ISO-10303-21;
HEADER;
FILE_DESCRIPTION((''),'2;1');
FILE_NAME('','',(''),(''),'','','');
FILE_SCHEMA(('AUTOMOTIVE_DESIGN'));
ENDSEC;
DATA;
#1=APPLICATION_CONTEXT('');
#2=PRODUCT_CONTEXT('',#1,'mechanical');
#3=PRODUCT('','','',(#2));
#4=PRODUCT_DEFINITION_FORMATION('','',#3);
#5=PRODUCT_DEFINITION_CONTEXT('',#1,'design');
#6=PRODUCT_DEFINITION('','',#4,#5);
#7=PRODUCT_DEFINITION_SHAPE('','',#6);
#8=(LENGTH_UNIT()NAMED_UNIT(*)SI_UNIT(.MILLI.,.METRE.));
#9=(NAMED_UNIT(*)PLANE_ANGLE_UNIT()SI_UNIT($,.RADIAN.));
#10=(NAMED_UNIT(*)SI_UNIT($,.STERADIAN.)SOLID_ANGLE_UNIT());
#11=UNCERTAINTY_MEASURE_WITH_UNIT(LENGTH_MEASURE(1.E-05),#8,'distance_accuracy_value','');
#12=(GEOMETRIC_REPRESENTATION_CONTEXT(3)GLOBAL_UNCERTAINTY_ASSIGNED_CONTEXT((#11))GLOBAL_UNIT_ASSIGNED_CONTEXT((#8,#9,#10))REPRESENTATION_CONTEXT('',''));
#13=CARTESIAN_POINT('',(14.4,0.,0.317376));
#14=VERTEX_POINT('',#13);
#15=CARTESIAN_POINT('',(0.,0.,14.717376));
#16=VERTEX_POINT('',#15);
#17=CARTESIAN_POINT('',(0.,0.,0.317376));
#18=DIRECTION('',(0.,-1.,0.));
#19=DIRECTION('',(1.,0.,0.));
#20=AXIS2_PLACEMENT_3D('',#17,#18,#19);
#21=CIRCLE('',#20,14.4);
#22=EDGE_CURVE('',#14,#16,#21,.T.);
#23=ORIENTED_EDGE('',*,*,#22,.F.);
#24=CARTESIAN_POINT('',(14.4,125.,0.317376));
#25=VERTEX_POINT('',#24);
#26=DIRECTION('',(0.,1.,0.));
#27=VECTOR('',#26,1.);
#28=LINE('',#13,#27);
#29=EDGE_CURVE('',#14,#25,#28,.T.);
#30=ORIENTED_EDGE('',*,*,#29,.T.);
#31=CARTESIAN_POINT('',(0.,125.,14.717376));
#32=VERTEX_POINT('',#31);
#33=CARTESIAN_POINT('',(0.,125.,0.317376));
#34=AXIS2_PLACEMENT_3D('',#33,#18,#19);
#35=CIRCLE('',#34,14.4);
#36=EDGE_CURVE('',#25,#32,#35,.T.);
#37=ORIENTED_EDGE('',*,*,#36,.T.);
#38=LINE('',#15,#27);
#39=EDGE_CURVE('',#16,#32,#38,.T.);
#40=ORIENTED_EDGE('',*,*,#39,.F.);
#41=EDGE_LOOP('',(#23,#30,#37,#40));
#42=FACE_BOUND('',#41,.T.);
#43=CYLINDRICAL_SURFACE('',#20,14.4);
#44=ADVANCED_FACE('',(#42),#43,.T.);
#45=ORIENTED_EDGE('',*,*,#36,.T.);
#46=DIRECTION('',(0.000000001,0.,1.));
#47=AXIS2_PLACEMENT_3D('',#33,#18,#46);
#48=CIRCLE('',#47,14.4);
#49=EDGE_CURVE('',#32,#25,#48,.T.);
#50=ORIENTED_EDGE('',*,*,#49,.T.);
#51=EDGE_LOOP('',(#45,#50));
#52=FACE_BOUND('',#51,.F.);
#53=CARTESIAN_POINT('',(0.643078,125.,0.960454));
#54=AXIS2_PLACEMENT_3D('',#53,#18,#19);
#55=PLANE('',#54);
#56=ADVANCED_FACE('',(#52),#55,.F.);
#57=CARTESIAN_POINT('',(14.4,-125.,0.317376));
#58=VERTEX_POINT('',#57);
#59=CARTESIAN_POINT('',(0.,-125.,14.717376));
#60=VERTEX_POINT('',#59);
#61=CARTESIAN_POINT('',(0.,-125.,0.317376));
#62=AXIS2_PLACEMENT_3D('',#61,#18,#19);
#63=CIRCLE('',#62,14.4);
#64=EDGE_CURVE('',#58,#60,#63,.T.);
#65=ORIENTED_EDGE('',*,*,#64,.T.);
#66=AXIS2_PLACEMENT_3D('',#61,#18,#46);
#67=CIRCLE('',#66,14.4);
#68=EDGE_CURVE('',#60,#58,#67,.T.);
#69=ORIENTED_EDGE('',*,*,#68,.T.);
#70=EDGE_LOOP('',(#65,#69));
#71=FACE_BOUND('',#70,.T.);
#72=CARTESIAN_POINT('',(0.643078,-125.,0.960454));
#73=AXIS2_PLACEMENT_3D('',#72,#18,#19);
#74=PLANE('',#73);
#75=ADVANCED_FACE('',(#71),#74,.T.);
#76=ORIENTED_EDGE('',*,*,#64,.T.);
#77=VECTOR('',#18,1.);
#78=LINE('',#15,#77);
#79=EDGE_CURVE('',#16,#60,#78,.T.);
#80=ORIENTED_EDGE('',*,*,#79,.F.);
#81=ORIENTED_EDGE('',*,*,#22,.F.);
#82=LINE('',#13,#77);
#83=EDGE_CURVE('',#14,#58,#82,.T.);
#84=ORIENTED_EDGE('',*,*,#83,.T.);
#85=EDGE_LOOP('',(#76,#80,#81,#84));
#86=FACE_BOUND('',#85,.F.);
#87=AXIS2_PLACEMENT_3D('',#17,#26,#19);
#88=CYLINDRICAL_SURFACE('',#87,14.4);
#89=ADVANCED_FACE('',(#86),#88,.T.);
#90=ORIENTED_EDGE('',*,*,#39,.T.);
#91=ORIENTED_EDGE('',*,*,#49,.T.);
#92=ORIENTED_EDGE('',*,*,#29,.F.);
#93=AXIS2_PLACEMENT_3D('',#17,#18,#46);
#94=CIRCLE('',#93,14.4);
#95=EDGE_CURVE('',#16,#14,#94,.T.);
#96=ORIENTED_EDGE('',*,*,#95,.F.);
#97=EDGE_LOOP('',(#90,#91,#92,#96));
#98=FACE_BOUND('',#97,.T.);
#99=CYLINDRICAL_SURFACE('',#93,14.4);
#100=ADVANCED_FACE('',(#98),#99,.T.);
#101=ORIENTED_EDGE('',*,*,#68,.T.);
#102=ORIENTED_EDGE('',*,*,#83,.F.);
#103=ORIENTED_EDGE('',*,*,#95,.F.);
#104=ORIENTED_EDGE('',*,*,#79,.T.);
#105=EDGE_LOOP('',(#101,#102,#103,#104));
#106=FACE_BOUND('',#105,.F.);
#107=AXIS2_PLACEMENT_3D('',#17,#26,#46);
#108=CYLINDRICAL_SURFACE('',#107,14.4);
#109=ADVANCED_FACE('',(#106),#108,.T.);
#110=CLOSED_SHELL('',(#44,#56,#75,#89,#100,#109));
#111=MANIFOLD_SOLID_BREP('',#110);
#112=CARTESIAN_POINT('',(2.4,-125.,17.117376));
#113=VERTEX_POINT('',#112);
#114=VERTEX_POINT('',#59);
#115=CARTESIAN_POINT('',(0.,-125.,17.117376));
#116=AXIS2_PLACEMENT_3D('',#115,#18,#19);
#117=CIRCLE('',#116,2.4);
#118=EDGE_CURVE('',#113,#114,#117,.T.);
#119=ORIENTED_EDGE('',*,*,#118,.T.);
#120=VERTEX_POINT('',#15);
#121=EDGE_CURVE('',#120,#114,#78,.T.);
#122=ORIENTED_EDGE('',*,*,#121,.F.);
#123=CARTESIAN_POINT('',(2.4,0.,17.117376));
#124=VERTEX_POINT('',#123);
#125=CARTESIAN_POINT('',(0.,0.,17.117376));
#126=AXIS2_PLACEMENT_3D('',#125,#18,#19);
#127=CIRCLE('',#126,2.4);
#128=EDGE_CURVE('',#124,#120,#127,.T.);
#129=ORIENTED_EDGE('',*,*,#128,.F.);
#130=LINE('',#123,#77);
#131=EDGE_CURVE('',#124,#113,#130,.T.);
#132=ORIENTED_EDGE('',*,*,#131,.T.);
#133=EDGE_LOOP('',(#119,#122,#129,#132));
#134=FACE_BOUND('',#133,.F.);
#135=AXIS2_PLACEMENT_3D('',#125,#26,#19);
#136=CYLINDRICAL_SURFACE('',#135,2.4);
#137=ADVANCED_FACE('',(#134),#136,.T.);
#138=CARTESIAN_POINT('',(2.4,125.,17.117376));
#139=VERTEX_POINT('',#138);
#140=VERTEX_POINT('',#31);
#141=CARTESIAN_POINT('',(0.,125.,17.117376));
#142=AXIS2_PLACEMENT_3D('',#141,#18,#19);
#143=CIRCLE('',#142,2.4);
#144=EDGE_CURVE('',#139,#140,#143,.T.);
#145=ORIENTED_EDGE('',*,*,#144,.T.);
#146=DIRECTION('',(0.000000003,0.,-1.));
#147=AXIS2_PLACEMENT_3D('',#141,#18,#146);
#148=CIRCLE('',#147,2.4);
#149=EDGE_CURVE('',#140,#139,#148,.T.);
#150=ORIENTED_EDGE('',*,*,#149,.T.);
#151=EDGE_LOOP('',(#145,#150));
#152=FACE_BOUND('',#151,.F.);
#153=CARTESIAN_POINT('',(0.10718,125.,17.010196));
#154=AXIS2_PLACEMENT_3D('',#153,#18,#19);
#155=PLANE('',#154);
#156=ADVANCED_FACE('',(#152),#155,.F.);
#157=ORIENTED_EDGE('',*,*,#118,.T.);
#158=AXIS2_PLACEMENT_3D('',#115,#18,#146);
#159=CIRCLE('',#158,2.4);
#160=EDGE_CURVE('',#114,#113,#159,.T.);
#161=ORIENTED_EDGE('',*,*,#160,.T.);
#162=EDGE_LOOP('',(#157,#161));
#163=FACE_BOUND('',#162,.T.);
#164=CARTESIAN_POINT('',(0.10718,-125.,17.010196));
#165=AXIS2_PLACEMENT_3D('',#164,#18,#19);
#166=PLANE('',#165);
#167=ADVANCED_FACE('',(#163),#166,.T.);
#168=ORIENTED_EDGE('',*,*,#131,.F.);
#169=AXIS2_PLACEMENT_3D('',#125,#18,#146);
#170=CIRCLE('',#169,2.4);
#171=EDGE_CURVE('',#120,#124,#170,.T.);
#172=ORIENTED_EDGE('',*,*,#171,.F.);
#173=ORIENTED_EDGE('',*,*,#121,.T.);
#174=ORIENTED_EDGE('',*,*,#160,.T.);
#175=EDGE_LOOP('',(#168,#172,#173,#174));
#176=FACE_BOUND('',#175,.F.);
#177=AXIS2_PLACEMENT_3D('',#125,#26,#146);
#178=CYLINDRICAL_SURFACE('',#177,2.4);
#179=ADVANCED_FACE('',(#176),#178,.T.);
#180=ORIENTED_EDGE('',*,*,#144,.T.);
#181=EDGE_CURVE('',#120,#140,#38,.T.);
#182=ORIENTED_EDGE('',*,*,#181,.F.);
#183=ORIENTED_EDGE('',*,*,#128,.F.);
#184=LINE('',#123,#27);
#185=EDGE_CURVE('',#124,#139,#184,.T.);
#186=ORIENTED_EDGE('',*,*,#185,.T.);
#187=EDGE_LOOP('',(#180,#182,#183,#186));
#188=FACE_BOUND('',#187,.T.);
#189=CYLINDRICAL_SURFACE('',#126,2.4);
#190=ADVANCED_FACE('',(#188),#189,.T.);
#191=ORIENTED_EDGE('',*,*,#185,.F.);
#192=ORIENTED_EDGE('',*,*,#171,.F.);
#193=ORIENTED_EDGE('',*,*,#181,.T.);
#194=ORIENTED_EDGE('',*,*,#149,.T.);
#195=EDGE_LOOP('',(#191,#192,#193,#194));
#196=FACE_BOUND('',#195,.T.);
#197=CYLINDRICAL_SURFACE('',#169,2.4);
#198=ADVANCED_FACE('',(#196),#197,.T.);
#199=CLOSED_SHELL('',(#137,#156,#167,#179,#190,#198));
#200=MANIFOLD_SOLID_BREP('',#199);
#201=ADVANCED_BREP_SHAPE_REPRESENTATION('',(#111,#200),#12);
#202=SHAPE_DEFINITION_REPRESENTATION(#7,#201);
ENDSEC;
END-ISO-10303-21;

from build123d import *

# Parameters (mm, degrees)
F1_DEPTH = 125


with BuildPart() as f1:
    # F0 (on Front) → F1 (new body, symmetric)
    with BuildSketch(Plane.XZ):
        with BuildLine():
            ThreePointArc((8.1e-09, 14.717375508), (-10.182337652, -9.8649621383), (14.4, 0.317375508))
            ThreePointArc((14.4, 0.317375508), (10.182337652, 10.4997131542), (8.1e-09, 14.717375508))
        make_face()
    extrude(amount=F1_DEPTH, both=True)


with BuildPart() as f1b:
    # F0 (on Front) → F1, piece 2 (new body, symmetric)
    with BuildSketch(Plane.XZ):
        with BuildLine():
            ThreePointArc((2.4, 17.117375508), (-1.6970562777, 18.8144317799), (8.1e-09, 14.717375508))
            ThreePointArc((8.1e-09, 14.717375508), (1.6970562777, 15.420319236), (2.4, 17.117375508))
        make_face()
    extrude(amount=F1_DEPTH, both=True)


solid = Compound([f1.part, f1b.part])
